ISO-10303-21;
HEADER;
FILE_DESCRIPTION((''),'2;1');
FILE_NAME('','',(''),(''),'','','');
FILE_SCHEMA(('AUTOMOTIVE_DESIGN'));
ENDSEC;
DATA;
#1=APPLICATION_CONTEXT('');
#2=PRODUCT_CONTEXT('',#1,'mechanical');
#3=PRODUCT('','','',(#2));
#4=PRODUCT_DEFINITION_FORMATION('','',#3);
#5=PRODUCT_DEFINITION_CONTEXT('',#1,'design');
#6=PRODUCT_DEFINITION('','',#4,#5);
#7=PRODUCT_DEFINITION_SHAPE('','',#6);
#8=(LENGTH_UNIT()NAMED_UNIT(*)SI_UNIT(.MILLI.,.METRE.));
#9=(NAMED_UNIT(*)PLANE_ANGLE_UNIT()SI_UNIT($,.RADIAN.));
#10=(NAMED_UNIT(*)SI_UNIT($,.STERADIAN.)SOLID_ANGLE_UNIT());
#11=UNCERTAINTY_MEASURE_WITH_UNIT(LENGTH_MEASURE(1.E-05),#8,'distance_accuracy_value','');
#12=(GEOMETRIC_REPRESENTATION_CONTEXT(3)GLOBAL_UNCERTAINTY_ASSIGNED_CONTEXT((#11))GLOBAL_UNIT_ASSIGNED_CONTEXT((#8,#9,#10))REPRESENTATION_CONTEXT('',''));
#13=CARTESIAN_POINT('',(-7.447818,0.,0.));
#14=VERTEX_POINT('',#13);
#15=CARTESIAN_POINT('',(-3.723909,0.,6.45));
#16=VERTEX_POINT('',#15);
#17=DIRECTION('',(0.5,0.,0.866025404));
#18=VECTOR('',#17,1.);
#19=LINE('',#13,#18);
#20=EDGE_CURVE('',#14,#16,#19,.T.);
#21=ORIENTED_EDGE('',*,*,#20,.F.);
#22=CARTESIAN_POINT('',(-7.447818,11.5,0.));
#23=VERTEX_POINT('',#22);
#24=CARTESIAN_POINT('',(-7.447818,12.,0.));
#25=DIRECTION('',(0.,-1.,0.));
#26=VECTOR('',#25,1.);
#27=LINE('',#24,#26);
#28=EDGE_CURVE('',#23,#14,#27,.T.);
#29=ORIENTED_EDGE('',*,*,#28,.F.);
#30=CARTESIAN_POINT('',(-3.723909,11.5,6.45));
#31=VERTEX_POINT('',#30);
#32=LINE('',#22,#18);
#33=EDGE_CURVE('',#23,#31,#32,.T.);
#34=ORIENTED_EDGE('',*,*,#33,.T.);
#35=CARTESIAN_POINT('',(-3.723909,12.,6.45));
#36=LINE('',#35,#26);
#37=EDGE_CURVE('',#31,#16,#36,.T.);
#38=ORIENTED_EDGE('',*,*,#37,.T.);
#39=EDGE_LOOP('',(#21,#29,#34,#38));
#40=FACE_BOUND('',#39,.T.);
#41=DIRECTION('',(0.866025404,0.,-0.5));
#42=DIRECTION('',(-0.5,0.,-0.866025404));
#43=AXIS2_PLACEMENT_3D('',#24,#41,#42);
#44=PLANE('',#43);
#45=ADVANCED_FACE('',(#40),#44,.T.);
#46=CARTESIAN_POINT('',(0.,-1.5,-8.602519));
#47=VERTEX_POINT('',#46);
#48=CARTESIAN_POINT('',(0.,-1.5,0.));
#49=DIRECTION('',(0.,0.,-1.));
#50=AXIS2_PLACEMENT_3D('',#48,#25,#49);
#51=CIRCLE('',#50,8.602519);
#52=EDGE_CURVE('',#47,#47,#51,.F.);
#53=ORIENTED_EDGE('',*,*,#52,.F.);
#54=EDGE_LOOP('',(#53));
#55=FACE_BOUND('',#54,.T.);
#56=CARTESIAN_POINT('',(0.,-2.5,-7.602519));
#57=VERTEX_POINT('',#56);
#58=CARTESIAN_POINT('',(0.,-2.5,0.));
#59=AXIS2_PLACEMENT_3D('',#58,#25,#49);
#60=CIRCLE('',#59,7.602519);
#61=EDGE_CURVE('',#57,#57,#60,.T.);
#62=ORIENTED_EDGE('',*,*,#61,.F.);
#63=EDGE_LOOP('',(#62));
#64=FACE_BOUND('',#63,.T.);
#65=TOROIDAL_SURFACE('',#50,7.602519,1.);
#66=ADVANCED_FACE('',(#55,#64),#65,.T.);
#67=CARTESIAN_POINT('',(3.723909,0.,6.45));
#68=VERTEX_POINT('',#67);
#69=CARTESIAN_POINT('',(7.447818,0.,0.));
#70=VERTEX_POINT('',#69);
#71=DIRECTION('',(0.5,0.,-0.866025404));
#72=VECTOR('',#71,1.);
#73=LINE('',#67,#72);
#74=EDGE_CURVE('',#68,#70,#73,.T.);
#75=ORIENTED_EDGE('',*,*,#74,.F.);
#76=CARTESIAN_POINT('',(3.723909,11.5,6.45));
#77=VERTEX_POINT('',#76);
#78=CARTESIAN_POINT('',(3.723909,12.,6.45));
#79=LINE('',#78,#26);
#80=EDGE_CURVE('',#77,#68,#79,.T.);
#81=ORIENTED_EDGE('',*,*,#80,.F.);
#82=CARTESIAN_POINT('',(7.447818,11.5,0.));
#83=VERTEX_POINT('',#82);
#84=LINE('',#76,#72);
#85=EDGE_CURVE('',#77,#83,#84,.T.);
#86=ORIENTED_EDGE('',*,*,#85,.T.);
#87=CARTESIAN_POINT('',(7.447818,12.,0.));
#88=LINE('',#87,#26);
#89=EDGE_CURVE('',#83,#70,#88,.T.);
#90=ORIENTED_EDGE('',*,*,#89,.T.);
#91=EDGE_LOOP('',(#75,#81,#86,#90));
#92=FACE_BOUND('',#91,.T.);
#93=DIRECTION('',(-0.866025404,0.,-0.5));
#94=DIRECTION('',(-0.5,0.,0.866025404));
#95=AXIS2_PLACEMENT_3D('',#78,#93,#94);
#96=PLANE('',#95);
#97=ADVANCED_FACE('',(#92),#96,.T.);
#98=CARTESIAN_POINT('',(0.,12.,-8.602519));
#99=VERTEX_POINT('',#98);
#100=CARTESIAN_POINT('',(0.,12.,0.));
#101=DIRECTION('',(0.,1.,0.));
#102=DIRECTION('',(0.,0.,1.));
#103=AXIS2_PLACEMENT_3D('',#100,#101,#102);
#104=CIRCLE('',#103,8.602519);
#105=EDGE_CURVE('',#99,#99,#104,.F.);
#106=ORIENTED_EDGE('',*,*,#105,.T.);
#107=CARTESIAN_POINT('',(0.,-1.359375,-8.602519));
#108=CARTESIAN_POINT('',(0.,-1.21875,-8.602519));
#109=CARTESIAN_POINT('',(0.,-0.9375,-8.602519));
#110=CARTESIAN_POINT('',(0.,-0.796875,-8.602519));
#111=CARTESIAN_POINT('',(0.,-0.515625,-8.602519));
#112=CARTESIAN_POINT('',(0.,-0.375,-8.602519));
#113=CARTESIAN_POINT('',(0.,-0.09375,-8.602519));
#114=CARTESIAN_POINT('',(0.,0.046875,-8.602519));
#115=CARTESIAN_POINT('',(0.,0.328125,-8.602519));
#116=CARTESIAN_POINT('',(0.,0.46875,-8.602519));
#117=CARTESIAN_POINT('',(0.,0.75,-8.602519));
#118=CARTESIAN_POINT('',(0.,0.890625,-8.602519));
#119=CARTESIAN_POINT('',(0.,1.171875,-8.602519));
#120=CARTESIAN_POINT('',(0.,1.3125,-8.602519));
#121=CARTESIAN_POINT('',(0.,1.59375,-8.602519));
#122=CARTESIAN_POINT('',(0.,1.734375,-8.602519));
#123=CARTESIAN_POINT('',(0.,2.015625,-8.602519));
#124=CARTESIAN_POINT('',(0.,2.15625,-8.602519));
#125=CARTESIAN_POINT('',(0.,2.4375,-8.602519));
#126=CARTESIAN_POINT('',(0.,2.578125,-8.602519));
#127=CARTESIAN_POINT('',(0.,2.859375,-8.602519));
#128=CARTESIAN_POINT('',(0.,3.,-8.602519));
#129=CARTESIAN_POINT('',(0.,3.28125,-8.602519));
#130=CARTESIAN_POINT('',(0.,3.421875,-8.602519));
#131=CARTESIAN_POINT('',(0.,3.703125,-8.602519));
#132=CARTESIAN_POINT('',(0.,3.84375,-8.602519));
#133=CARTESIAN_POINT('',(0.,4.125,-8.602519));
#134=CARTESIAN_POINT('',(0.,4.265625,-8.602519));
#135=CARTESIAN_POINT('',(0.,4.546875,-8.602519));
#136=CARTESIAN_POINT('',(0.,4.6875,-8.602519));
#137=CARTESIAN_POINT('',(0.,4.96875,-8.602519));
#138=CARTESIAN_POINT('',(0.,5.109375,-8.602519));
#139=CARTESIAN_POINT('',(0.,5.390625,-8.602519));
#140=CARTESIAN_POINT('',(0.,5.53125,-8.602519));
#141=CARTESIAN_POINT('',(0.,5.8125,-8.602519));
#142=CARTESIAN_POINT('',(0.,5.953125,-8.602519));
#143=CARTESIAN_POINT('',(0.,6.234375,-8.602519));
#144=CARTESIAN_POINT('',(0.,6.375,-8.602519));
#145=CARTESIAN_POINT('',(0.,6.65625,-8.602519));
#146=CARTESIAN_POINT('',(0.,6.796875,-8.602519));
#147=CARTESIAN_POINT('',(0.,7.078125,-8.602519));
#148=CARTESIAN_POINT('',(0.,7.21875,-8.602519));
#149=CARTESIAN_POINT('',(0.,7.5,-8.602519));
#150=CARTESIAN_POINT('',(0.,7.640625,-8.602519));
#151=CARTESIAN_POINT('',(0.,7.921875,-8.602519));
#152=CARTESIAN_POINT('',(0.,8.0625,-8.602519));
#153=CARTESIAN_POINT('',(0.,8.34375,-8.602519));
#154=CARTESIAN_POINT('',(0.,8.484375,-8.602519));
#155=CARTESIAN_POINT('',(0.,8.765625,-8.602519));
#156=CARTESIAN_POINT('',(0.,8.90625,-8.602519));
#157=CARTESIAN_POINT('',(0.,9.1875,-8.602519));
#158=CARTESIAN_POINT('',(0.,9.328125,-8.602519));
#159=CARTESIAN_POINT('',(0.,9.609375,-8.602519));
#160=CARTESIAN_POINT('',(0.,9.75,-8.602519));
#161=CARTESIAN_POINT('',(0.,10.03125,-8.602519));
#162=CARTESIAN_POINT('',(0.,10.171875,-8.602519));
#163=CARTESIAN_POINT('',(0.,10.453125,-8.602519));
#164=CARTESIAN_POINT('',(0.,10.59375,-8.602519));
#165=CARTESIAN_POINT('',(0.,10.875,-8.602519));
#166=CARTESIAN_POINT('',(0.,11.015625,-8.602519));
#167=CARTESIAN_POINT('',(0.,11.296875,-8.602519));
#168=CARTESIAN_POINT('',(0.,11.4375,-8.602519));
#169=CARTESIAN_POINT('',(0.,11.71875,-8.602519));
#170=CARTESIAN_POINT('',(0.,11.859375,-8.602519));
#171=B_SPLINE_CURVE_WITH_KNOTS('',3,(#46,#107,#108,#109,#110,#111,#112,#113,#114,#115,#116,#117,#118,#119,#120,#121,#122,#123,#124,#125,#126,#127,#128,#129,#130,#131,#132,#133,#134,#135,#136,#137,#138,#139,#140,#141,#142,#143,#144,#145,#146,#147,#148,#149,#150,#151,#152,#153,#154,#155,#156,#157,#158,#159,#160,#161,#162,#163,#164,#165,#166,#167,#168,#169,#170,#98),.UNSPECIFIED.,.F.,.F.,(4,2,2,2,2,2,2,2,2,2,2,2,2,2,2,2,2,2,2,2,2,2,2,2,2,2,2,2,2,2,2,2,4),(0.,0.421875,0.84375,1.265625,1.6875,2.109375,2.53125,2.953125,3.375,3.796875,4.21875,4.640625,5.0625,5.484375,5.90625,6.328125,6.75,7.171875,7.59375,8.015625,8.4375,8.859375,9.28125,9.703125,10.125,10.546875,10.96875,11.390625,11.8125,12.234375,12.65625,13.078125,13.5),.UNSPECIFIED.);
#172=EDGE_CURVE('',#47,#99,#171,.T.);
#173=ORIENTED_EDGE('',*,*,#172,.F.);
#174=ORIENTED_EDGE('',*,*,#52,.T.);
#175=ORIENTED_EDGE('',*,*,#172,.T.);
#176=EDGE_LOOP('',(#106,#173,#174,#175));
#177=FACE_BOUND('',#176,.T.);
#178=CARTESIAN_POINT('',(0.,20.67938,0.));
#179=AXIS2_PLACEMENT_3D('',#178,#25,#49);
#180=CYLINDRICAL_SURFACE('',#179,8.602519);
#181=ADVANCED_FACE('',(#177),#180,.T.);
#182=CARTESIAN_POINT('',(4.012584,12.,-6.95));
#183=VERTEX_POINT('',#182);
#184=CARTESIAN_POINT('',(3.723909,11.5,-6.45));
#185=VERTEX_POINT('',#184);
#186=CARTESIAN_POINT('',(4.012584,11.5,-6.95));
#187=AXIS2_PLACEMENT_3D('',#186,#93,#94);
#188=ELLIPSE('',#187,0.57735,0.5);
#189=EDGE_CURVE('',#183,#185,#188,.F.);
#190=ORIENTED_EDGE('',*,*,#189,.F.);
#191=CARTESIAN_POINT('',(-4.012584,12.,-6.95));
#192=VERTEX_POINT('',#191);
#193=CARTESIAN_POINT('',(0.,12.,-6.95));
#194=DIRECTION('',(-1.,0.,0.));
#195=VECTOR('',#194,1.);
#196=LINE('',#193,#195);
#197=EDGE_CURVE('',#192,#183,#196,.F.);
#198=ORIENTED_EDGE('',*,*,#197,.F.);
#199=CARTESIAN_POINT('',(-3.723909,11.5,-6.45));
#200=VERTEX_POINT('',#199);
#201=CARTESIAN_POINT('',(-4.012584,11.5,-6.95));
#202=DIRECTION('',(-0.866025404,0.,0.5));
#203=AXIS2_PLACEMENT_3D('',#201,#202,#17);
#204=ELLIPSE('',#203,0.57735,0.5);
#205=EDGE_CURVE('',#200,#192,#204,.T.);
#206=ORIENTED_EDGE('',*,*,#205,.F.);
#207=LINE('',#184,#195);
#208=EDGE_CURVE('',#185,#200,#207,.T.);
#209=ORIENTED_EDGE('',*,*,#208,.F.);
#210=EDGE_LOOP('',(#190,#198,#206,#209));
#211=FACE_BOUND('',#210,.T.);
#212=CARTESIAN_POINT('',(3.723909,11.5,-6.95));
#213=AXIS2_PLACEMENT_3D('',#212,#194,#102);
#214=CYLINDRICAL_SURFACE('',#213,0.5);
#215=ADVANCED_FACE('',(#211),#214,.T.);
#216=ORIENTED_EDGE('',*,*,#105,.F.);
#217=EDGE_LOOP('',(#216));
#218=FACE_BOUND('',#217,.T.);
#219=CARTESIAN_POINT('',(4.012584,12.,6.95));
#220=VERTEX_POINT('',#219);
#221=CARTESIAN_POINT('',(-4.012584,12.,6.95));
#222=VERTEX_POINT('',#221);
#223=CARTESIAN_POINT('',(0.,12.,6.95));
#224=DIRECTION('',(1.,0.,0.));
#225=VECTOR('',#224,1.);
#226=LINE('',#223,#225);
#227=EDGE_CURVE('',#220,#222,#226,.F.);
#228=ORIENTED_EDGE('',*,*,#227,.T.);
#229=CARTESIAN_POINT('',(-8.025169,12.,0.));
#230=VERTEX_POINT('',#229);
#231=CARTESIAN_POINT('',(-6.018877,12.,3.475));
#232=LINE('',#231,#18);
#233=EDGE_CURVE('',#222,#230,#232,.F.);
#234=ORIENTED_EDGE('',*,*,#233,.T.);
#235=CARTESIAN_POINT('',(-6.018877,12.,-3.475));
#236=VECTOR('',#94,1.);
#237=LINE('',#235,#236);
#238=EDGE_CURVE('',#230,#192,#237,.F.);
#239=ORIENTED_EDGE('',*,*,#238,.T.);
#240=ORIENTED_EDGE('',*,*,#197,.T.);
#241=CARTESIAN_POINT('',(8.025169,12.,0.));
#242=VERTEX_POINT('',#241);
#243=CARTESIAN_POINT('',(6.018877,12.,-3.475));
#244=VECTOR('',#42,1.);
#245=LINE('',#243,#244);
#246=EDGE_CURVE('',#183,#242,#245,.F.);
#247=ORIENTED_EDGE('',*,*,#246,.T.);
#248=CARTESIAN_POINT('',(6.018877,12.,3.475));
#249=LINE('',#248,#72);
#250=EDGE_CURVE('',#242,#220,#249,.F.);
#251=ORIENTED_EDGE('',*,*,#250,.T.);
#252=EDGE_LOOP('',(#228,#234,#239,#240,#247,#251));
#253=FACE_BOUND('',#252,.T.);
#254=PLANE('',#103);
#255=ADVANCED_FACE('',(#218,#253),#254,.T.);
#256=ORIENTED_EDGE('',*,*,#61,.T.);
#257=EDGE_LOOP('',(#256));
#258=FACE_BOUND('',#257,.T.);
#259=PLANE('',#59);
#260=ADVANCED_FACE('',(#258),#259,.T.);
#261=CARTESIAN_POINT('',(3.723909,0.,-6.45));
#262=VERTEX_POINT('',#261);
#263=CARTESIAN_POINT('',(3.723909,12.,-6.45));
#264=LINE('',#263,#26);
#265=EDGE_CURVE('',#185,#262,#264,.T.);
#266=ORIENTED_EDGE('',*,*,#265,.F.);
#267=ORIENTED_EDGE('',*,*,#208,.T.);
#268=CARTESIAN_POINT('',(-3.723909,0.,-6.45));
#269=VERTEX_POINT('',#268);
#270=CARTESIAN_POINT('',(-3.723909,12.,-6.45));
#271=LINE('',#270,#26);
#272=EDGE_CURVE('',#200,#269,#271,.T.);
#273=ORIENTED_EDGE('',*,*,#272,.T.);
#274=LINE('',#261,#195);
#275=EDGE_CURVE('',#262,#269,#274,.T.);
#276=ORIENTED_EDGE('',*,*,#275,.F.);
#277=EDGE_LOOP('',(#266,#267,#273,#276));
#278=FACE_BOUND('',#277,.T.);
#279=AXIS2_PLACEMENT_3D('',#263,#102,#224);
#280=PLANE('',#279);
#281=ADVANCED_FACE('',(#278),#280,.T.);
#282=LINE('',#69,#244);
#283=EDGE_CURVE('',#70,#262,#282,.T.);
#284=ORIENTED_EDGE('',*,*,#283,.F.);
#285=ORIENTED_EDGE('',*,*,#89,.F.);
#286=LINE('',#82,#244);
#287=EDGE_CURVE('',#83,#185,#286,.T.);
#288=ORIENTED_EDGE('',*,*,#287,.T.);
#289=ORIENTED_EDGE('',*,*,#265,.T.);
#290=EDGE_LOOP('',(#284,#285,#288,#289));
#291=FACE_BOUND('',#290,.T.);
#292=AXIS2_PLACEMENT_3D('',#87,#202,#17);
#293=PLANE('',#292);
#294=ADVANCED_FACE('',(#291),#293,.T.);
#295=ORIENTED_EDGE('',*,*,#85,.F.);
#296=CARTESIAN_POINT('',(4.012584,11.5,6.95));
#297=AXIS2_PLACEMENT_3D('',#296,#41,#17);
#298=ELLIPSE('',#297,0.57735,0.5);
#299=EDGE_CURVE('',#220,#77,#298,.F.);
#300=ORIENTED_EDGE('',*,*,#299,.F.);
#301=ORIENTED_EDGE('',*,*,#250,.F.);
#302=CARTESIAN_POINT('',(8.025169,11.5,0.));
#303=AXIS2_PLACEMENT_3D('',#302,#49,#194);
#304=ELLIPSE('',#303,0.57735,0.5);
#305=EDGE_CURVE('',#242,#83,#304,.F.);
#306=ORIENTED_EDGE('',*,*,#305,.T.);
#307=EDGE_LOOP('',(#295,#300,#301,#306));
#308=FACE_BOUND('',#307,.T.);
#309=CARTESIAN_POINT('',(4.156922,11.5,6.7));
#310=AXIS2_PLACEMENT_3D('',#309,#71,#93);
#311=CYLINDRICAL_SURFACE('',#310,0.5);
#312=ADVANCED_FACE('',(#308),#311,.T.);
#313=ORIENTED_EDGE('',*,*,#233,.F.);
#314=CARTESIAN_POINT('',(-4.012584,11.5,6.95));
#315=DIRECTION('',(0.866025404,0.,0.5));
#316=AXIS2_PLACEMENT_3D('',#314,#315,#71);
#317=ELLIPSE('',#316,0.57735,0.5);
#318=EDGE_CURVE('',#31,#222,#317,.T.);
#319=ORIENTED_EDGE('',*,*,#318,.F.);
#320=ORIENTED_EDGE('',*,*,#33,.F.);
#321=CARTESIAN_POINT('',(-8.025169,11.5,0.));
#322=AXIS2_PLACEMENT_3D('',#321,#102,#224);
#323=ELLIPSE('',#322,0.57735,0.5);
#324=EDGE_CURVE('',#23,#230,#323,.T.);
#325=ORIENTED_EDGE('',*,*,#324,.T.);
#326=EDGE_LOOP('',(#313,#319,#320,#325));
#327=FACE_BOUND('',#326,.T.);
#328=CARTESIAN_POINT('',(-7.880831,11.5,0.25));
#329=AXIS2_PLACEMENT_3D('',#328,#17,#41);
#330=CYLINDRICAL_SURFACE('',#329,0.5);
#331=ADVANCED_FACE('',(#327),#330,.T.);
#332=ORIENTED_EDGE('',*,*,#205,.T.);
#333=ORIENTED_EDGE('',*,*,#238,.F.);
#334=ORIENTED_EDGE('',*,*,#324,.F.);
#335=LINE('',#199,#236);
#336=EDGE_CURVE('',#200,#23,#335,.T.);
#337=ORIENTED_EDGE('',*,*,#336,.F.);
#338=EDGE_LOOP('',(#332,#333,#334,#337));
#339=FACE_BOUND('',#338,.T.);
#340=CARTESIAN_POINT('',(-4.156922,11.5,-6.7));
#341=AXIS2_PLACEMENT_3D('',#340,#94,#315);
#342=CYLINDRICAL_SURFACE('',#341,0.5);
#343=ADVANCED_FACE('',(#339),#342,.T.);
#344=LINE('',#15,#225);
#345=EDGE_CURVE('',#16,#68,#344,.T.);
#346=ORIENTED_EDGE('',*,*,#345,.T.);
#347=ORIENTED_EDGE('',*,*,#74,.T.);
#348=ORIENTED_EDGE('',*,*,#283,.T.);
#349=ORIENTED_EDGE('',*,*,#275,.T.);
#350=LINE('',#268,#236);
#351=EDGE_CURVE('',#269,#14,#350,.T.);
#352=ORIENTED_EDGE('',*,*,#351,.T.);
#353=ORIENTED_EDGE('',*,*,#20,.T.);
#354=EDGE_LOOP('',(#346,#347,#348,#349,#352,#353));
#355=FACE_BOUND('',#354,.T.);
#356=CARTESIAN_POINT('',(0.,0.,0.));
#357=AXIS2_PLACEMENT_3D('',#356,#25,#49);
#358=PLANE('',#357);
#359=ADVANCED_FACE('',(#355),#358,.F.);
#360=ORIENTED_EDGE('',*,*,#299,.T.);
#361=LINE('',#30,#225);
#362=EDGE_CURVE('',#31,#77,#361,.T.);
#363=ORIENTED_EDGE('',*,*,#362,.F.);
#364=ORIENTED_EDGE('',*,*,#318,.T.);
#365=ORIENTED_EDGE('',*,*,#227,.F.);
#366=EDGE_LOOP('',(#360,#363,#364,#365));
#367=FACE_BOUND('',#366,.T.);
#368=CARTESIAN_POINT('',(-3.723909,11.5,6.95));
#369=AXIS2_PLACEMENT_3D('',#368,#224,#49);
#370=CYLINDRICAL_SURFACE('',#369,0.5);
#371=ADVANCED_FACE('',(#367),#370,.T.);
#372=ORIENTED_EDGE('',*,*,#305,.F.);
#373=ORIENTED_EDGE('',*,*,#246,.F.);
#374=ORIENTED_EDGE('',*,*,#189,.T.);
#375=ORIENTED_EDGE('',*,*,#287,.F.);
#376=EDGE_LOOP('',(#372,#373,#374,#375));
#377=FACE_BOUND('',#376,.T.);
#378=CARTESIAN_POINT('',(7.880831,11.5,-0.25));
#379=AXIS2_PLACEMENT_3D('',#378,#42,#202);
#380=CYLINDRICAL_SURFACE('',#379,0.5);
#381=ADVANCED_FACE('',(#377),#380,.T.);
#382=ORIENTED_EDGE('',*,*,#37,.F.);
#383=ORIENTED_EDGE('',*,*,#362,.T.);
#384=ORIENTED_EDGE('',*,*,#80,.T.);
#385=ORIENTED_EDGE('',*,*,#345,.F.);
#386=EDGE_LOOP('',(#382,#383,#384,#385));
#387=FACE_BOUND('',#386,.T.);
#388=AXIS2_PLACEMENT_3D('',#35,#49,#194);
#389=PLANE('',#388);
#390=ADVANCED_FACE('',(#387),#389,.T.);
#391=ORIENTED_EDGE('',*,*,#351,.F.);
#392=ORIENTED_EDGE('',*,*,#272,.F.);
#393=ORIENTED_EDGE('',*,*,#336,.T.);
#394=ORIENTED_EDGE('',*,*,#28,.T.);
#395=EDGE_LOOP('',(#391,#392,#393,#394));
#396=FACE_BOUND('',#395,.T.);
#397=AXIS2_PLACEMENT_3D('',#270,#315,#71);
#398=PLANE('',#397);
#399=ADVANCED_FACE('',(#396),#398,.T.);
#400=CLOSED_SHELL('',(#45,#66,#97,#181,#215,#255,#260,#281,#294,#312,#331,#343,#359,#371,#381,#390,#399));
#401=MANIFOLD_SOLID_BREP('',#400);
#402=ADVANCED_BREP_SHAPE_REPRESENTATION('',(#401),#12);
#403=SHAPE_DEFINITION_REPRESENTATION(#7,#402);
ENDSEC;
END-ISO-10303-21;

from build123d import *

# Parameters (mm, degrees)
SALIENTE_EXTRUIR1_DEPTH = 12
SALIENTE_EXTRUIR2_DEPTH = 2.5
REDONDEO2_R             = 0.5
SALIENTE_EXTRUIR4_DEPTH = 14.5
REDONDEO5_R             = 1


with BuildPart() as part:
    # Croquis1 → Saliente-Extruir1 (new body)
    with BuildSketch(Plane(origin=(0, 0, 0), x_dir=(1, 0, 0), z_dir=(0, 1, 0))):
        Polygon((8.602519010925427, 1.1e-16), (4.301259505462714, 7.45), (-4.30125950546271, 7.450000000000001), (-8.602519010925425, 1.1e-16), (-4.301259505462709, -7.450000000000002), (4.301259505462713, -7.450000000000001), align=None)
        Polygon((-3.723909236273085, 6.45), (-7.447818472546173, 8.7e-16), (-3.723909236273083, -6.450000000000002), (3.723909236273086, -6.450000000000001), (7.4478184725461745, 0), (3.7239092362730872, 6.45), align=None, mode=Mode.SUBTRACT)
    extrude(amount=SALIENTE_EXTRUIR1_DEPTH)

    # Croquis2 → Saliente-Extruir2 (add)
    with BuildSketch(Plane.XZ):
        Polygon((8.602519010925427, -1.1e-16), (4.301259505462713, 7.450000000000001), (-4.301259505462709, 7.450000000000002), (-8.602519010925425, -1.1e-16), (-4.30125950546271, -7.450000000000001), (4.301259505462714, -7.45), align=None)
    extrude(amount=SALIENTE_EXTRUIR2_DEPTH)

    # Redondeo2
    redondeo2_edges = [part.edges().sort_by_distance(p)[0] for p in [
        (8.9e-16, 12, -6.45),
        (-5.585863854409629, 12, -3.2250000000000005),
        (-5.585863854409627, 12, 3.2250000000000005),
        (1.78e-15, 12, 6.450000000000001),
        (5.585863854409631, 12, 3.2250000000000005),
        (5.585863854409631, 12, -3.225),
    ]]
    fillet(redondeo2_edges, radius=REDONDEO2_R)

    # Croquis3 → Saliente-Extruir4 (add)
    with BuildSketch(Plane.XZ.offset(2.5)):
        with BuildLine():
            Line((4.301259505462713, 7.450000000000002), (8.602519010925427, -1.1e-16))
            ThreePointArc((8.602519010925423, 0), (7.45, 4.301259505462711), (4.3012595054627125, 7.449999999999999))
        make_face()
        with BuildLine():
            ThreePointArc((4.3012595054627125, 7.449999999999999), (5.3e-16, 8.602519010925423), (-4.30125950546271, 7.45))
            Line((-4.30125950546271, 7.450000000000002), (4.301259505462713, 7.450000000000001))
        make_face()
        with BuildLine():
            ThreePointArc((-4.30125950546271, 7.45), (-7.449999999999998, 4.301259505462714), (-8.602519010925423, 1.05e-15))
            Line((-8.602519010925425, 0), (-4.301259505462709, 7.450000000000002))
        make_face()
        with BuildLine():
            ThreePointArc((-8.602519010925423, 1.05e-15), (-7.449999999999999, -4.3012595054627125), (-4.301259505462708, -7.450000000000001))
            Line((-4.30125950546271, -7.450000000000001), (-8.602519010925425, -1.1e-16))
        make_face()
        with BuildLine():
            Line((4.301259505462713, -7.45), (-4.30125950546271, -7.450000000000001))
            ThreePointArc((-4.301259505462708, -7.450000000000001), (-1.58e-15, -8.602519010925423), (4.3012595054627125, -7.449999999999999))
        make_face()
        with BuildLine():
            Line((8.602519010925427, 0), (4.301259505462714, -7.45))
            ThreePointArc((4.3012595054627125, -7.449999999999999), (7.450000000000001, -4.301259505462709), (8.602519010925423, -2.11e-15))
        make_face()
    extrude(amount=-SALIENTE_EXTRUIR4_DEPTH)

    # Redondeo5
    redondeo5_edges = [part.edges().sort_by_distance(p)[0] for p in [
        (8.602519010925413, -2.5, 5.94e-15),
    ]]
    fillet(redondeo5_edges, radius=REDONDEO5_R)


solid = part.part
